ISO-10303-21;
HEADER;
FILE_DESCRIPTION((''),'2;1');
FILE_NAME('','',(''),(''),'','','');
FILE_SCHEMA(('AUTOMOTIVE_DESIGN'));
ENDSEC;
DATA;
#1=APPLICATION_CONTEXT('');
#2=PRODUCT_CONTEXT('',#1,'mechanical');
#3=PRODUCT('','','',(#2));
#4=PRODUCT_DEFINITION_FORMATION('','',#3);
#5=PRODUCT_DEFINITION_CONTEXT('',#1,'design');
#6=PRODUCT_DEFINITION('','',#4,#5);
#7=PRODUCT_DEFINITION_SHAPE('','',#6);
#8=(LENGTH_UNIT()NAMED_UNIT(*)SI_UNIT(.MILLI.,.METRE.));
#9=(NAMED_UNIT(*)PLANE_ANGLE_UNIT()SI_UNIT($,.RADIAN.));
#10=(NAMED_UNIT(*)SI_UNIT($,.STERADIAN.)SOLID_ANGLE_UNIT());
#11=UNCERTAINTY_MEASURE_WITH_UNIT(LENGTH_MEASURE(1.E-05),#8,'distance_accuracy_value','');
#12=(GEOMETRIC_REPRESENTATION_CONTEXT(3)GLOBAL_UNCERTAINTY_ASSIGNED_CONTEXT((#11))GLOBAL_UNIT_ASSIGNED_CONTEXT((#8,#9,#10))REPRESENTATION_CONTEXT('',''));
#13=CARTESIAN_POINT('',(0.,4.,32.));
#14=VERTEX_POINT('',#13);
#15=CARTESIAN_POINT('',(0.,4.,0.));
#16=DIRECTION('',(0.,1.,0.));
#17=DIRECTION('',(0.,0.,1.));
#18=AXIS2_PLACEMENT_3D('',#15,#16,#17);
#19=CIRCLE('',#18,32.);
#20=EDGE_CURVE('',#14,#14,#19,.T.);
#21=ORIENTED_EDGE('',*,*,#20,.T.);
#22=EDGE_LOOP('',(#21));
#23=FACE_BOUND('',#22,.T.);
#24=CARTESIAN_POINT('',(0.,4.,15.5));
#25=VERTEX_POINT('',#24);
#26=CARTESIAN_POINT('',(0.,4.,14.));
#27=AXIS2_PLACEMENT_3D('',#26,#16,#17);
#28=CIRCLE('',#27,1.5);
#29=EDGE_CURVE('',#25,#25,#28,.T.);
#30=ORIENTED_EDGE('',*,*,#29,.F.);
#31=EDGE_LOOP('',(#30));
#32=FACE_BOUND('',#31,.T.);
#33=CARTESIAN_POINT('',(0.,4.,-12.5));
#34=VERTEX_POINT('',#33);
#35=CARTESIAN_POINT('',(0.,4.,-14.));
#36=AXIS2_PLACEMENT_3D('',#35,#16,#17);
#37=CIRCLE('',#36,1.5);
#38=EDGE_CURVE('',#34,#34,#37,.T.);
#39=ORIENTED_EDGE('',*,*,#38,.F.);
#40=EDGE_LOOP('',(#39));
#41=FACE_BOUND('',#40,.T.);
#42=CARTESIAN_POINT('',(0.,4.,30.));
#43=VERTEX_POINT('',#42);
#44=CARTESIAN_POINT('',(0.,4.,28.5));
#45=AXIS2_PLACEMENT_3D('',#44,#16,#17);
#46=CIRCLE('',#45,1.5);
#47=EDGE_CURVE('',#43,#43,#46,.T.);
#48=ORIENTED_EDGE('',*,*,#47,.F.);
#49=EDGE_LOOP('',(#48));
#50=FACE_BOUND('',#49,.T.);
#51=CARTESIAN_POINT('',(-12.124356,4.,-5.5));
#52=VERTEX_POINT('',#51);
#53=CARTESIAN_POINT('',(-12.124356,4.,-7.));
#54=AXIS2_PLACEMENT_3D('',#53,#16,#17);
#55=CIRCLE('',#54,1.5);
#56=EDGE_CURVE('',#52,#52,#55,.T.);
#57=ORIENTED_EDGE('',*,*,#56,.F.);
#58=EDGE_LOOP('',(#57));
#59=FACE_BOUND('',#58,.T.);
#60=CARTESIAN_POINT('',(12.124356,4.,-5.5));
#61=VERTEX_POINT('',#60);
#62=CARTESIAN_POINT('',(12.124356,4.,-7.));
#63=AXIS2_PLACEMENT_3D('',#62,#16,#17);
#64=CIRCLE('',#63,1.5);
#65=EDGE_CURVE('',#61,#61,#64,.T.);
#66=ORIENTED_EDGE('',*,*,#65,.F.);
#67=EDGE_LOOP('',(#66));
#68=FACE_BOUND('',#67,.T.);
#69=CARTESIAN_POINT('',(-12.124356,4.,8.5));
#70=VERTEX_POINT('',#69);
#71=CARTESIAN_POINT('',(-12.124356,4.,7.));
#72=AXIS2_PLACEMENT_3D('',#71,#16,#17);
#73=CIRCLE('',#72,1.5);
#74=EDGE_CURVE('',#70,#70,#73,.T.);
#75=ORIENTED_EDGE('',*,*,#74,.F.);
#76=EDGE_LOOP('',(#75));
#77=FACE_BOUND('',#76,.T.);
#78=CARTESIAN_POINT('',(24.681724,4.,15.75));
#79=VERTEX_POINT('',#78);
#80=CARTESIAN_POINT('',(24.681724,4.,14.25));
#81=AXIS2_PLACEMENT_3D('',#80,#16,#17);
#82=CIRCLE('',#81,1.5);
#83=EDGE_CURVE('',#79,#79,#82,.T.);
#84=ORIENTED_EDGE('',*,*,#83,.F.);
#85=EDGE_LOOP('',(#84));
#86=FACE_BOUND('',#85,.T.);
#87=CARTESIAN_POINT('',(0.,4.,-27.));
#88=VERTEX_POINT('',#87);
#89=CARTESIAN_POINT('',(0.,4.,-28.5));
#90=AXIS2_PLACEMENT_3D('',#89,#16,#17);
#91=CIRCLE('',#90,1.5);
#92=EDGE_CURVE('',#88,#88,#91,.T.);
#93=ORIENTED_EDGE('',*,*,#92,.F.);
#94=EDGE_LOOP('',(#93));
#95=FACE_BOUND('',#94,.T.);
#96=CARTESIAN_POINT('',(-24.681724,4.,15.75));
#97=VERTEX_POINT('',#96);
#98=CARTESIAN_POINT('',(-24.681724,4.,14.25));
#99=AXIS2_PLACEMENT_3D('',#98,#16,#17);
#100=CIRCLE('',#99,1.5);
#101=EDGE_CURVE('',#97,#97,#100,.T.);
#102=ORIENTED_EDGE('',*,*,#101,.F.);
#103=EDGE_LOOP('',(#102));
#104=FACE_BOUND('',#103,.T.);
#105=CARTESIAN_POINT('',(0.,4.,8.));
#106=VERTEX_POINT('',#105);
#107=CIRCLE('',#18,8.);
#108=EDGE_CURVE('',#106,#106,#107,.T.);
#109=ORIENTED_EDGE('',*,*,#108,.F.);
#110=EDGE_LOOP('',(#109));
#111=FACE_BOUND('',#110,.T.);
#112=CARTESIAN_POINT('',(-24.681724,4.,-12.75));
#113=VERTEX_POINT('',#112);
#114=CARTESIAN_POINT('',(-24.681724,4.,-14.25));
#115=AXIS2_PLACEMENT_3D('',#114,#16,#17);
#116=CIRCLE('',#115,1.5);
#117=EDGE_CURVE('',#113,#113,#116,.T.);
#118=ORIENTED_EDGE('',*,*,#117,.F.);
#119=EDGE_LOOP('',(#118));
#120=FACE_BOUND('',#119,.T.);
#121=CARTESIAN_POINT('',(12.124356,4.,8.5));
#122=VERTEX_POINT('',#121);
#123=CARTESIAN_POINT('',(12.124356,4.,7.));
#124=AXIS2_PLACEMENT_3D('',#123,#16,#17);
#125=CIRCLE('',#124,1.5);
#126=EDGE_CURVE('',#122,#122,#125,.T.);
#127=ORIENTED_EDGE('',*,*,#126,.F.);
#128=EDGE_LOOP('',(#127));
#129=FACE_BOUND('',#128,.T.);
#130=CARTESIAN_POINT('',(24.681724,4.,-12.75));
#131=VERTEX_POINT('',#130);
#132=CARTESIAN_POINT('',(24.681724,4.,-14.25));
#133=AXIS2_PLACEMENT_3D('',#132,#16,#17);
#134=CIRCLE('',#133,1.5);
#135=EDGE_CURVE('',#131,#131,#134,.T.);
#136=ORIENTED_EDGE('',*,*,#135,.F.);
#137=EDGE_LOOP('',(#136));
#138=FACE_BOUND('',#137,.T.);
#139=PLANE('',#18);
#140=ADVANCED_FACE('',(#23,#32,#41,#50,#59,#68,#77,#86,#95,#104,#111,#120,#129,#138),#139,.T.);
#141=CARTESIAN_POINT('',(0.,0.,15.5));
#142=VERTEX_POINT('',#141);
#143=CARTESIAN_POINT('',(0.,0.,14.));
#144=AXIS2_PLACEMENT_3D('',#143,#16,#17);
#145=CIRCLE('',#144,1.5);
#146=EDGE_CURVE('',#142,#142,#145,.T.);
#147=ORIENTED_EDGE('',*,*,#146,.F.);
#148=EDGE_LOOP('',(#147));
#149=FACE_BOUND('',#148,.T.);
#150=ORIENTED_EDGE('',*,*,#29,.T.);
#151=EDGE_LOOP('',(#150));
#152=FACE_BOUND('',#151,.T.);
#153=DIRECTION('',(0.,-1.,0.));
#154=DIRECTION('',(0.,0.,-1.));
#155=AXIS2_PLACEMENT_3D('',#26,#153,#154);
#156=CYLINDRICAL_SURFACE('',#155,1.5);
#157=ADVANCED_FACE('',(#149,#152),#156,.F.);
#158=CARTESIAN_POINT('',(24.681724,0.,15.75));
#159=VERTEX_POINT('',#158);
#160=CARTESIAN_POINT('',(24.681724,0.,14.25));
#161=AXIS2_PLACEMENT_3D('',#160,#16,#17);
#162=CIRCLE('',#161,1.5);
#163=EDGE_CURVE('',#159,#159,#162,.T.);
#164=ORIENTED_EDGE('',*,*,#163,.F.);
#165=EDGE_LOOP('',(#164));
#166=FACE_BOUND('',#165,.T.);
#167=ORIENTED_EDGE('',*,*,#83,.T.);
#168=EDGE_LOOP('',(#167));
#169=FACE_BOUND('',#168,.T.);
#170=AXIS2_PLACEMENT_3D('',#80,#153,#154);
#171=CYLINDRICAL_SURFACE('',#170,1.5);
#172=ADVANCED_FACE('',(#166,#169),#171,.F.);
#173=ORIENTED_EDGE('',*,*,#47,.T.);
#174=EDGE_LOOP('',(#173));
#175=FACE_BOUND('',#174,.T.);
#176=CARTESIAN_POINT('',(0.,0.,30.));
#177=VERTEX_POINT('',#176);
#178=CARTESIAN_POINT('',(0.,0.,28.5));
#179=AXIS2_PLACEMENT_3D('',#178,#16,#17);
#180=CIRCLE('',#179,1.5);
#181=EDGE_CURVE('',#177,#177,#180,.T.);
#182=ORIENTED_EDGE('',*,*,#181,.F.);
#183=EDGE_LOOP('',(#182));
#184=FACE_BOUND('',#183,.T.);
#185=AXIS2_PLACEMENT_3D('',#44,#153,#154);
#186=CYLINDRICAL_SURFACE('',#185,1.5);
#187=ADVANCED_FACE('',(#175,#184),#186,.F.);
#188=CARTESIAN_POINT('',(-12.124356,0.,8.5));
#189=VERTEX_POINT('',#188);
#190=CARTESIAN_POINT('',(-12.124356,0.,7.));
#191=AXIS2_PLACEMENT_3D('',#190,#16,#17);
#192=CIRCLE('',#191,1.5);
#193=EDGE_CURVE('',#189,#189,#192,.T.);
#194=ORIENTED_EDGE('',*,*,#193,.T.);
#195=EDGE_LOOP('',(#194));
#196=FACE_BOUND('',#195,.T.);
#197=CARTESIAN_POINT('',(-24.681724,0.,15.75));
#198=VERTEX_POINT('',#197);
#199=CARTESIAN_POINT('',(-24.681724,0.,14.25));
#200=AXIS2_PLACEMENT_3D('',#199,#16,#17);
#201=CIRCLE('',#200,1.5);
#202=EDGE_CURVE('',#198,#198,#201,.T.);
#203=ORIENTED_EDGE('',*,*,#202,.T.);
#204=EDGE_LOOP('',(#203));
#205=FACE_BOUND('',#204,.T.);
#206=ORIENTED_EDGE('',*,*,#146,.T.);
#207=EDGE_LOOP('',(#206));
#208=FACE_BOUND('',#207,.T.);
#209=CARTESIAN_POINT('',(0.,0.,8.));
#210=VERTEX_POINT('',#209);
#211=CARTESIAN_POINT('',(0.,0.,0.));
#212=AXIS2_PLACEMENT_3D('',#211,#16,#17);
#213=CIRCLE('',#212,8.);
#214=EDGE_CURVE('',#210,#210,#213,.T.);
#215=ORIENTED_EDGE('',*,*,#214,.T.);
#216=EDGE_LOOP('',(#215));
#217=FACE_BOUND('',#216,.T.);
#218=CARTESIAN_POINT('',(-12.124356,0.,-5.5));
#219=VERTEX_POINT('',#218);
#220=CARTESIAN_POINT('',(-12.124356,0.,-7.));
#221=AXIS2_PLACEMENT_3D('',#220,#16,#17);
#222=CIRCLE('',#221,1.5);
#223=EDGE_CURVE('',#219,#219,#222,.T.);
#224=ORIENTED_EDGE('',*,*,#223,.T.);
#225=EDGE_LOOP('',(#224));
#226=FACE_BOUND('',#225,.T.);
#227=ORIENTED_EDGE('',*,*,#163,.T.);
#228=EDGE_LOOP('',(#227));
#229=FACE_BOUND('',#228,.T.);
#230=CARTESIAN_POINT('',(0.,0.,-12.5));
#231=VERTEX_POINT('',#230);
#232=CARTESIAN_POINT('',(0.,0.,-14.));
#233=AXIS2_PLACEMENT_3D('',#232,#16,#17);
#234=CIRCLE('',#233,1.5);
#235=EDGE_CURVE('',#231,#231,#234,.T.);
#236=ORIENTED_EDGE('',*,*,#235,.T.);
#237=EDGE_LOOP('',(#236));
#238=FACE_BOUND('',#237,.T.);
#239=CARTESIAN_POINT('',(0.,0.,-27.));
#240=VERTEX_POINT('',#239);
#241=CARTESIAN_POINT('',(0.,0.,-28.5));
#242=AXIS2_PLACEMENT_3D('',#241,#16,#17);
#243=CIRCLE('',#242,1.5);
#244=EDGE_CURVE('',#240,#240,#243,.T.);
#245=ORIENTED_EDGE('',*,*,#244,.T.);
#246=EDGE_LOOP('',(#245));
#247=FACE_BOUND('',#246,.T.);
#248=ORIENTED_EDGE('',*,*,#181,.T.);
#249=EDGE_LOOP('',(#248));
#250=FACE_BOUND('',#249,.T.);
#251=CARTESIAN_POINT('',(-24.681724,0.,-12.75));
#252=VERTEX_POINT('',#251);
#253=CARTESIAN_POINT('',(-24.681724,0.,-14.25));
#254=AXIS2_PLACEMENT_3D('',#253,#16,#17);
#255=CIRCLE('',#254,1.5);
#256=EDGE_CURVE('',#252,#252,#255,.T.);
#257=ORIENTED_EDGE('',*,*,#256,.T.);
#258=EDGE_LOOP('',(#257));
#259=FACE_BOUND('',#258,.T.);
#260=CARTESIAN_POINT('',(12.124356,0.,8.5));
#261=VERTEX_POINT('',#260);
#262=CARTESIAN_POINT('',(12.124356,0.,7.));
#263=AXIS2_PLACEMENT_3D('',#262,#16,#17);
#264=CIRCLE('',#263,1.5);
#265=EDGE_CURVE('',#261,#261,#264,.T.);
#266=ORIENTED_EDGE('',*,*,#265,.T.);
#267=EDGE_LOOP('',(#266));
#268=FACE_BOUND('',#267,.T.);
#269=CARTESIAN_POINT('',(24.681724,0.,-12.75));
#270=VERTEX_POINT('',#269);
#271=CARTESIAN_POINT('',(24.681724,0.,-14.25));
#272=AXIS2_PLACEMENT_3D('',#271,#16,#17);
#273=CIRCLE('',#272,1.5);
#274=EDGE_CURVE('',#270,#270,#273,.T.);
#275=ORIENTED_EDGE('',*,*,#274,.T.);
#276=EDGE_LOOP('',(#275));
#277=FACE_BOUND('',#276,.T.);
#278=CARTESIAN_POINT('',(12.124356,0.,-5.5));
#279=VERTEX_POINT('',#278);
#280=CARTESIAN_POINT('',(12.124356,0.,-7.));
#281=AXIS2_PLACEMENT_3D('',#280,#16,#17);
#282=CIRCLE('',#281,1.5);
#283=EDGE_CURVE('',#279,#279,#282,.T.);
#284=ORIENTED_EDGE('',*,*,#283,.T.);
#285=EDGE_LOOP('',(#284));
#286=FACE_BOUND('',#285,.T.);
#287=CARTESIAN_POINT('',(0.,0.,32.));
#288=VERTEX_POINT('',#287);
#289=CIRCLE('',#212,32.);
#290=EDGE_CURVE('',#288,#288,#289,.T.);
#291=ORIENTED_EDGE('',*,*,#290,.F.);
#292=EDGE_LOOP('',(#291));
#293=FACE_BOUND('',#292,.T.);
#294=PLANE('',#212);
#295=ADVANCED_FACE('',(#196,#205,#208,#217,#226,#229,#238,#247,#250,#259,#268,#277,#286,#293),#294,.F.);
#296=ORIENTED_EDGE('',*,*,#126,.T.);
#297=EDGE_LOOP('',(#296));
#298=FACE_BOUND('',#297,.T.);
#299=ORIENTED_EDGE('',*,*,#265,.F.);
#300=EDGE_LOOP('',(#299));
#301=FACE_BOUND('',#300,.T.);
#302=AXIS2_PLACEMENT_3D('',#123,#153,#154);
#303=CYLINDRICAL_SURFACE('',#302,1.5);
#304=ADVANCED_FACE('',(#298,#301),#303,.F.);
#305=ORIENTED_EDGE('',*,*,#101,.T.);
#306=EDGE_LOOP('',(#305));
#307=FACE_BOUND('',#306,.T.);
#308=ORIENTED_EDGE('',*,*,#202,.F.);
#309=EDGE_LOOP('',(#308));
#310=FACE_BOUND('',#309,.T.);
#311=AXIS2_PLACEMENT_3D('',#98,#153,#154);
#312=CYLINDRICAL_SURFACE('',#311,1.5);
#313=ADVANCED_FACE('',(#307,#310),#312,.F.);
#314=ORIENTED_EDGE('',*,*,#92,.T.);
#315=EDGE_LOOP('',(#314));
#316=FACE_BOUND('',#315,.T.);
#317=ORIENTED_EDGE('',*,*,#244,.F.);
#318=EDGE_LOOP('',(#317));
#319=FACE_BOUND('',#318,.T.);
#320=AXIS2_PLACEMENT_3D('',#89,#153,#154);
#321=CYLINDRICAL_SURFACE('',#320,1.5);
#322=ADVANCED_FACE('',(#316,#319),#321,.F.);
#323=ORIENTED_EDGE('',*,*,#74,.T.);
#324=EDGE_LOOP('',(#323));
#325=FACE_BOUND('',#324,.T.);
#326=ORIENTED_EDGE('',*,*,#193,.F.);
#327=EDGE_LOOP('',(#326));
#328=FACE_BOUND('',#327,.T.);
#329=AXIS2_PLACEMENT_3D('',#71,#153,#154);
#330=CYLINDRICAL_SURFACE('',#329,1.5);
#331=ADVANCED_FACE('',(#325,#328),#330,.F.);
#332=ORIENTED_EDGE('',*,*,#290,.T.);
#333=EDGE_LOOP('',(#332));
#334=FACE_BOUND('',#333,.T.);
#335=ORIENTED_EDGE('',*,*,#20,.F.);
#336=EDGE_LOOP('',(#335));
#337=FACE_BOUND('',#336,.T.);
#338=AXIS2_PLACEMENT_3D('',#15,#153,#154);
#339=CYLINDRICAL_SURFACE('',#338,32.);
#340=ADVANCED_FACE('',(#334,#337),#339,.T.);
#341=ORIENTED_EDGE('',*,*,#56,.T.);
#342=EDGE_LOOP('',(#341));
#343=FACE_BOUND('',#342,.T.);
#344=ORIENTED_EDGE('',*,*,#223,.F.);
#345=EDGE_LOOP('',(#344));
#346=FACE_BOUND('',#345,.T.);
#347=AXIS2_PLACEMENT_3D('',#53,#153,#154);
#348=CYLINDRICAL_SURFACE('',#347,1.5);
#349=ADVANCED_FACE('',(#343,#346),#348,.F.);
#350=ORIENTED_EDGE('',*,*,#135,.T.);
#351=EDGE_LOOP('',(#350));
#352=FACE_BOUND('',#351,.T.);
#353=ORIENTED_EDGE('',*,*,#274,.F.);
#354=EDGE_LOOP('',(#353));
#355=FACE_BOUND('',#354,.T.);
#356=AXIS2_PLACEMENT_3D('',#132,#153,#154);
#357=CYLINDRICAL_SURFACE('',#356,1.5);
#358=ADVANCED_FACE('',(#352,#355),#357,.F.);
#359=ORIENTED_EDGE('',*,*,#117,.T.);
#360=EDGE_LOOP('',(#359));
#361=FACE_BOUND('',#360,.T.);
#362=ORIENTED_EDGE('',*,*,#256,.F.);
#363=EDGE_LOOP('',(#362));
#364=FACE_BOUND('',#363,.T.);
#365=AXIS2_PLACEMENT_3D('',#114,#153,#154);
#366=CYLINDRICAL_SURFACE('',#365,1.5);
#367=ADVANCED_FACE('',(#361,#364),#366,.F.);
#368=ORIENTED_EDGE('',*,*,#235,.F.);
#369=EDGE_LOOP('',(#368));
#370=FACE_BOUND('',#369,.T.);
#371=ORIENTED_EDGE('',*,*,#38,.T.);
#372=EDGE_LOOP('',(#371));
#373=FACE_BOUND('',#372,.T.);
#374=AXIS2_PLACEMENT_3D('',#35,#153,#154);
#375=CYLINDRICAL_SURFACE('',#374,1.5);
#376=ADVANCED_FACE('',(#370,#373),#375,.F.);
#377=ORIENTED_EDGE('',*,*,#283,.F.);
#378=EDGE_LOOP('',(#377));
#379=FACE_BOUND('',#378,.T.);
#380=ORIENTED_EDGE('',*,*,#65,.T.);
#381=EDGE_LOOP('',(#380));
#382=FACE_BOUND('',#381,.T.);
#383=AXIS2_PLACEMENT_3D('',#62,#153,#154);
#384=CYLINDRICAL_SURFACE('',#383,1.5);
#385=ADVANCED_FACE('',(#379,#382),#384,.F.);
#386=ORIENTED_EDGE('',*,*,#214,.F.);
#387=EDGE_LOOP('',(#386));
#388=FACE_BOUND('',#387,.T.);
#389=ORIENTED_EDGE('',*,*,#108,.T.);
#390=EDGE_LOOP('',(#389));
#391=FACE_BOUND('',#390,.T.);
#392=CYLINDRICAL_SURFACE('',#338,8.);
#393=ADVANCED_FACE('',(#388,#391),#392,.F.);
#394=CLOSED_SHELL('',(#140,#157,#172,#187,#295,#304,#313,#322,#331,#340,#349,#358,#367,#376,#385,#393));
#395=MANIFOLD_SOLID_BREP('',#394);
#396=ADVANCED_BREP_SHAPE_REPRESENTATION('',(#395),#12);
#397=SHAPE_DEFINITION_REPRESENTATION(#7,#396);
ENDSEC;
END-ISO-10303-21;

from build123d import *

# Parameters (mm, degrees)
SKETCH_1_R      = 32
SKETCH_1_R_2    = 8
SKETCH_1_R_3    = 1.5
EXTRUDE_1_DEPTH = 4


with BuildPart() as part:
    # 草图1 → 凸台-拉伸1 (new body)
    with BuildSketch(Plane(origin=(0, 0, 0), x_dir=(1, 0, 0), z_dir=(0, 1, 0))):
        Circle(SKETCH_1_R)
        Circle(SKETCH_1_R_2, mode=Mode.SUBTRACT)
        with Locations((0, 14)):
            Circle(SKETCH_1_R_3, mode=Mode.SUBTRACT)
        with Locations((12.124355653, 7)):
            Circle(SKETCH_1_R_3, mode=Mode.SUBTRACT)
        with Locations((12.124355653, -7)):
            Circle(SKETCH_1_R_3, mode=Mode.SUBTRACT)
        with Locations((0, -14)):
            Circle(SKETCH_1_R_3, mode=Mode.SUBTRACT)
        with Locations((0, 28.5)):
            Circle(SKETCH_1_R_3, mode=Mode.SUBTRACT)
        with Locations((24.681724008, 14.25)):
            Circle(SKETCH_1_R_3, mode=Mode.SUBTRACT)
        with Locations((24.681724008, -14.25)):
            Circle(SKETCH_1_R_3, mode=Mode.SUBTRACT)
        with Locations((0, -28.5)):
            Circle(SKETCH_1_R_3, mode=Mode.SUBTRACT)
        with Locations((-24.681724008, -14.25)):
            Circle(SKETCH_1_R_3, mode=Mode.SUBTRACT)
        with Locations((-24.681724008, 14.25)):
            Circle(SKETCH_1_R_3, mode=Mode.SUBTRACT)
        with Locations((-12.124355653, -7)):
            Circle(SKETCH_1_R_3, mode=Mode.SUBTRACT)
        with Locations((-12.124355653, 7)):
            Circle(SKETCH_1_R_3, mode=Mode.SUBTRACT)
    extrude(amount=EXTRUDE_1_DEPTH)


solid = part.part
